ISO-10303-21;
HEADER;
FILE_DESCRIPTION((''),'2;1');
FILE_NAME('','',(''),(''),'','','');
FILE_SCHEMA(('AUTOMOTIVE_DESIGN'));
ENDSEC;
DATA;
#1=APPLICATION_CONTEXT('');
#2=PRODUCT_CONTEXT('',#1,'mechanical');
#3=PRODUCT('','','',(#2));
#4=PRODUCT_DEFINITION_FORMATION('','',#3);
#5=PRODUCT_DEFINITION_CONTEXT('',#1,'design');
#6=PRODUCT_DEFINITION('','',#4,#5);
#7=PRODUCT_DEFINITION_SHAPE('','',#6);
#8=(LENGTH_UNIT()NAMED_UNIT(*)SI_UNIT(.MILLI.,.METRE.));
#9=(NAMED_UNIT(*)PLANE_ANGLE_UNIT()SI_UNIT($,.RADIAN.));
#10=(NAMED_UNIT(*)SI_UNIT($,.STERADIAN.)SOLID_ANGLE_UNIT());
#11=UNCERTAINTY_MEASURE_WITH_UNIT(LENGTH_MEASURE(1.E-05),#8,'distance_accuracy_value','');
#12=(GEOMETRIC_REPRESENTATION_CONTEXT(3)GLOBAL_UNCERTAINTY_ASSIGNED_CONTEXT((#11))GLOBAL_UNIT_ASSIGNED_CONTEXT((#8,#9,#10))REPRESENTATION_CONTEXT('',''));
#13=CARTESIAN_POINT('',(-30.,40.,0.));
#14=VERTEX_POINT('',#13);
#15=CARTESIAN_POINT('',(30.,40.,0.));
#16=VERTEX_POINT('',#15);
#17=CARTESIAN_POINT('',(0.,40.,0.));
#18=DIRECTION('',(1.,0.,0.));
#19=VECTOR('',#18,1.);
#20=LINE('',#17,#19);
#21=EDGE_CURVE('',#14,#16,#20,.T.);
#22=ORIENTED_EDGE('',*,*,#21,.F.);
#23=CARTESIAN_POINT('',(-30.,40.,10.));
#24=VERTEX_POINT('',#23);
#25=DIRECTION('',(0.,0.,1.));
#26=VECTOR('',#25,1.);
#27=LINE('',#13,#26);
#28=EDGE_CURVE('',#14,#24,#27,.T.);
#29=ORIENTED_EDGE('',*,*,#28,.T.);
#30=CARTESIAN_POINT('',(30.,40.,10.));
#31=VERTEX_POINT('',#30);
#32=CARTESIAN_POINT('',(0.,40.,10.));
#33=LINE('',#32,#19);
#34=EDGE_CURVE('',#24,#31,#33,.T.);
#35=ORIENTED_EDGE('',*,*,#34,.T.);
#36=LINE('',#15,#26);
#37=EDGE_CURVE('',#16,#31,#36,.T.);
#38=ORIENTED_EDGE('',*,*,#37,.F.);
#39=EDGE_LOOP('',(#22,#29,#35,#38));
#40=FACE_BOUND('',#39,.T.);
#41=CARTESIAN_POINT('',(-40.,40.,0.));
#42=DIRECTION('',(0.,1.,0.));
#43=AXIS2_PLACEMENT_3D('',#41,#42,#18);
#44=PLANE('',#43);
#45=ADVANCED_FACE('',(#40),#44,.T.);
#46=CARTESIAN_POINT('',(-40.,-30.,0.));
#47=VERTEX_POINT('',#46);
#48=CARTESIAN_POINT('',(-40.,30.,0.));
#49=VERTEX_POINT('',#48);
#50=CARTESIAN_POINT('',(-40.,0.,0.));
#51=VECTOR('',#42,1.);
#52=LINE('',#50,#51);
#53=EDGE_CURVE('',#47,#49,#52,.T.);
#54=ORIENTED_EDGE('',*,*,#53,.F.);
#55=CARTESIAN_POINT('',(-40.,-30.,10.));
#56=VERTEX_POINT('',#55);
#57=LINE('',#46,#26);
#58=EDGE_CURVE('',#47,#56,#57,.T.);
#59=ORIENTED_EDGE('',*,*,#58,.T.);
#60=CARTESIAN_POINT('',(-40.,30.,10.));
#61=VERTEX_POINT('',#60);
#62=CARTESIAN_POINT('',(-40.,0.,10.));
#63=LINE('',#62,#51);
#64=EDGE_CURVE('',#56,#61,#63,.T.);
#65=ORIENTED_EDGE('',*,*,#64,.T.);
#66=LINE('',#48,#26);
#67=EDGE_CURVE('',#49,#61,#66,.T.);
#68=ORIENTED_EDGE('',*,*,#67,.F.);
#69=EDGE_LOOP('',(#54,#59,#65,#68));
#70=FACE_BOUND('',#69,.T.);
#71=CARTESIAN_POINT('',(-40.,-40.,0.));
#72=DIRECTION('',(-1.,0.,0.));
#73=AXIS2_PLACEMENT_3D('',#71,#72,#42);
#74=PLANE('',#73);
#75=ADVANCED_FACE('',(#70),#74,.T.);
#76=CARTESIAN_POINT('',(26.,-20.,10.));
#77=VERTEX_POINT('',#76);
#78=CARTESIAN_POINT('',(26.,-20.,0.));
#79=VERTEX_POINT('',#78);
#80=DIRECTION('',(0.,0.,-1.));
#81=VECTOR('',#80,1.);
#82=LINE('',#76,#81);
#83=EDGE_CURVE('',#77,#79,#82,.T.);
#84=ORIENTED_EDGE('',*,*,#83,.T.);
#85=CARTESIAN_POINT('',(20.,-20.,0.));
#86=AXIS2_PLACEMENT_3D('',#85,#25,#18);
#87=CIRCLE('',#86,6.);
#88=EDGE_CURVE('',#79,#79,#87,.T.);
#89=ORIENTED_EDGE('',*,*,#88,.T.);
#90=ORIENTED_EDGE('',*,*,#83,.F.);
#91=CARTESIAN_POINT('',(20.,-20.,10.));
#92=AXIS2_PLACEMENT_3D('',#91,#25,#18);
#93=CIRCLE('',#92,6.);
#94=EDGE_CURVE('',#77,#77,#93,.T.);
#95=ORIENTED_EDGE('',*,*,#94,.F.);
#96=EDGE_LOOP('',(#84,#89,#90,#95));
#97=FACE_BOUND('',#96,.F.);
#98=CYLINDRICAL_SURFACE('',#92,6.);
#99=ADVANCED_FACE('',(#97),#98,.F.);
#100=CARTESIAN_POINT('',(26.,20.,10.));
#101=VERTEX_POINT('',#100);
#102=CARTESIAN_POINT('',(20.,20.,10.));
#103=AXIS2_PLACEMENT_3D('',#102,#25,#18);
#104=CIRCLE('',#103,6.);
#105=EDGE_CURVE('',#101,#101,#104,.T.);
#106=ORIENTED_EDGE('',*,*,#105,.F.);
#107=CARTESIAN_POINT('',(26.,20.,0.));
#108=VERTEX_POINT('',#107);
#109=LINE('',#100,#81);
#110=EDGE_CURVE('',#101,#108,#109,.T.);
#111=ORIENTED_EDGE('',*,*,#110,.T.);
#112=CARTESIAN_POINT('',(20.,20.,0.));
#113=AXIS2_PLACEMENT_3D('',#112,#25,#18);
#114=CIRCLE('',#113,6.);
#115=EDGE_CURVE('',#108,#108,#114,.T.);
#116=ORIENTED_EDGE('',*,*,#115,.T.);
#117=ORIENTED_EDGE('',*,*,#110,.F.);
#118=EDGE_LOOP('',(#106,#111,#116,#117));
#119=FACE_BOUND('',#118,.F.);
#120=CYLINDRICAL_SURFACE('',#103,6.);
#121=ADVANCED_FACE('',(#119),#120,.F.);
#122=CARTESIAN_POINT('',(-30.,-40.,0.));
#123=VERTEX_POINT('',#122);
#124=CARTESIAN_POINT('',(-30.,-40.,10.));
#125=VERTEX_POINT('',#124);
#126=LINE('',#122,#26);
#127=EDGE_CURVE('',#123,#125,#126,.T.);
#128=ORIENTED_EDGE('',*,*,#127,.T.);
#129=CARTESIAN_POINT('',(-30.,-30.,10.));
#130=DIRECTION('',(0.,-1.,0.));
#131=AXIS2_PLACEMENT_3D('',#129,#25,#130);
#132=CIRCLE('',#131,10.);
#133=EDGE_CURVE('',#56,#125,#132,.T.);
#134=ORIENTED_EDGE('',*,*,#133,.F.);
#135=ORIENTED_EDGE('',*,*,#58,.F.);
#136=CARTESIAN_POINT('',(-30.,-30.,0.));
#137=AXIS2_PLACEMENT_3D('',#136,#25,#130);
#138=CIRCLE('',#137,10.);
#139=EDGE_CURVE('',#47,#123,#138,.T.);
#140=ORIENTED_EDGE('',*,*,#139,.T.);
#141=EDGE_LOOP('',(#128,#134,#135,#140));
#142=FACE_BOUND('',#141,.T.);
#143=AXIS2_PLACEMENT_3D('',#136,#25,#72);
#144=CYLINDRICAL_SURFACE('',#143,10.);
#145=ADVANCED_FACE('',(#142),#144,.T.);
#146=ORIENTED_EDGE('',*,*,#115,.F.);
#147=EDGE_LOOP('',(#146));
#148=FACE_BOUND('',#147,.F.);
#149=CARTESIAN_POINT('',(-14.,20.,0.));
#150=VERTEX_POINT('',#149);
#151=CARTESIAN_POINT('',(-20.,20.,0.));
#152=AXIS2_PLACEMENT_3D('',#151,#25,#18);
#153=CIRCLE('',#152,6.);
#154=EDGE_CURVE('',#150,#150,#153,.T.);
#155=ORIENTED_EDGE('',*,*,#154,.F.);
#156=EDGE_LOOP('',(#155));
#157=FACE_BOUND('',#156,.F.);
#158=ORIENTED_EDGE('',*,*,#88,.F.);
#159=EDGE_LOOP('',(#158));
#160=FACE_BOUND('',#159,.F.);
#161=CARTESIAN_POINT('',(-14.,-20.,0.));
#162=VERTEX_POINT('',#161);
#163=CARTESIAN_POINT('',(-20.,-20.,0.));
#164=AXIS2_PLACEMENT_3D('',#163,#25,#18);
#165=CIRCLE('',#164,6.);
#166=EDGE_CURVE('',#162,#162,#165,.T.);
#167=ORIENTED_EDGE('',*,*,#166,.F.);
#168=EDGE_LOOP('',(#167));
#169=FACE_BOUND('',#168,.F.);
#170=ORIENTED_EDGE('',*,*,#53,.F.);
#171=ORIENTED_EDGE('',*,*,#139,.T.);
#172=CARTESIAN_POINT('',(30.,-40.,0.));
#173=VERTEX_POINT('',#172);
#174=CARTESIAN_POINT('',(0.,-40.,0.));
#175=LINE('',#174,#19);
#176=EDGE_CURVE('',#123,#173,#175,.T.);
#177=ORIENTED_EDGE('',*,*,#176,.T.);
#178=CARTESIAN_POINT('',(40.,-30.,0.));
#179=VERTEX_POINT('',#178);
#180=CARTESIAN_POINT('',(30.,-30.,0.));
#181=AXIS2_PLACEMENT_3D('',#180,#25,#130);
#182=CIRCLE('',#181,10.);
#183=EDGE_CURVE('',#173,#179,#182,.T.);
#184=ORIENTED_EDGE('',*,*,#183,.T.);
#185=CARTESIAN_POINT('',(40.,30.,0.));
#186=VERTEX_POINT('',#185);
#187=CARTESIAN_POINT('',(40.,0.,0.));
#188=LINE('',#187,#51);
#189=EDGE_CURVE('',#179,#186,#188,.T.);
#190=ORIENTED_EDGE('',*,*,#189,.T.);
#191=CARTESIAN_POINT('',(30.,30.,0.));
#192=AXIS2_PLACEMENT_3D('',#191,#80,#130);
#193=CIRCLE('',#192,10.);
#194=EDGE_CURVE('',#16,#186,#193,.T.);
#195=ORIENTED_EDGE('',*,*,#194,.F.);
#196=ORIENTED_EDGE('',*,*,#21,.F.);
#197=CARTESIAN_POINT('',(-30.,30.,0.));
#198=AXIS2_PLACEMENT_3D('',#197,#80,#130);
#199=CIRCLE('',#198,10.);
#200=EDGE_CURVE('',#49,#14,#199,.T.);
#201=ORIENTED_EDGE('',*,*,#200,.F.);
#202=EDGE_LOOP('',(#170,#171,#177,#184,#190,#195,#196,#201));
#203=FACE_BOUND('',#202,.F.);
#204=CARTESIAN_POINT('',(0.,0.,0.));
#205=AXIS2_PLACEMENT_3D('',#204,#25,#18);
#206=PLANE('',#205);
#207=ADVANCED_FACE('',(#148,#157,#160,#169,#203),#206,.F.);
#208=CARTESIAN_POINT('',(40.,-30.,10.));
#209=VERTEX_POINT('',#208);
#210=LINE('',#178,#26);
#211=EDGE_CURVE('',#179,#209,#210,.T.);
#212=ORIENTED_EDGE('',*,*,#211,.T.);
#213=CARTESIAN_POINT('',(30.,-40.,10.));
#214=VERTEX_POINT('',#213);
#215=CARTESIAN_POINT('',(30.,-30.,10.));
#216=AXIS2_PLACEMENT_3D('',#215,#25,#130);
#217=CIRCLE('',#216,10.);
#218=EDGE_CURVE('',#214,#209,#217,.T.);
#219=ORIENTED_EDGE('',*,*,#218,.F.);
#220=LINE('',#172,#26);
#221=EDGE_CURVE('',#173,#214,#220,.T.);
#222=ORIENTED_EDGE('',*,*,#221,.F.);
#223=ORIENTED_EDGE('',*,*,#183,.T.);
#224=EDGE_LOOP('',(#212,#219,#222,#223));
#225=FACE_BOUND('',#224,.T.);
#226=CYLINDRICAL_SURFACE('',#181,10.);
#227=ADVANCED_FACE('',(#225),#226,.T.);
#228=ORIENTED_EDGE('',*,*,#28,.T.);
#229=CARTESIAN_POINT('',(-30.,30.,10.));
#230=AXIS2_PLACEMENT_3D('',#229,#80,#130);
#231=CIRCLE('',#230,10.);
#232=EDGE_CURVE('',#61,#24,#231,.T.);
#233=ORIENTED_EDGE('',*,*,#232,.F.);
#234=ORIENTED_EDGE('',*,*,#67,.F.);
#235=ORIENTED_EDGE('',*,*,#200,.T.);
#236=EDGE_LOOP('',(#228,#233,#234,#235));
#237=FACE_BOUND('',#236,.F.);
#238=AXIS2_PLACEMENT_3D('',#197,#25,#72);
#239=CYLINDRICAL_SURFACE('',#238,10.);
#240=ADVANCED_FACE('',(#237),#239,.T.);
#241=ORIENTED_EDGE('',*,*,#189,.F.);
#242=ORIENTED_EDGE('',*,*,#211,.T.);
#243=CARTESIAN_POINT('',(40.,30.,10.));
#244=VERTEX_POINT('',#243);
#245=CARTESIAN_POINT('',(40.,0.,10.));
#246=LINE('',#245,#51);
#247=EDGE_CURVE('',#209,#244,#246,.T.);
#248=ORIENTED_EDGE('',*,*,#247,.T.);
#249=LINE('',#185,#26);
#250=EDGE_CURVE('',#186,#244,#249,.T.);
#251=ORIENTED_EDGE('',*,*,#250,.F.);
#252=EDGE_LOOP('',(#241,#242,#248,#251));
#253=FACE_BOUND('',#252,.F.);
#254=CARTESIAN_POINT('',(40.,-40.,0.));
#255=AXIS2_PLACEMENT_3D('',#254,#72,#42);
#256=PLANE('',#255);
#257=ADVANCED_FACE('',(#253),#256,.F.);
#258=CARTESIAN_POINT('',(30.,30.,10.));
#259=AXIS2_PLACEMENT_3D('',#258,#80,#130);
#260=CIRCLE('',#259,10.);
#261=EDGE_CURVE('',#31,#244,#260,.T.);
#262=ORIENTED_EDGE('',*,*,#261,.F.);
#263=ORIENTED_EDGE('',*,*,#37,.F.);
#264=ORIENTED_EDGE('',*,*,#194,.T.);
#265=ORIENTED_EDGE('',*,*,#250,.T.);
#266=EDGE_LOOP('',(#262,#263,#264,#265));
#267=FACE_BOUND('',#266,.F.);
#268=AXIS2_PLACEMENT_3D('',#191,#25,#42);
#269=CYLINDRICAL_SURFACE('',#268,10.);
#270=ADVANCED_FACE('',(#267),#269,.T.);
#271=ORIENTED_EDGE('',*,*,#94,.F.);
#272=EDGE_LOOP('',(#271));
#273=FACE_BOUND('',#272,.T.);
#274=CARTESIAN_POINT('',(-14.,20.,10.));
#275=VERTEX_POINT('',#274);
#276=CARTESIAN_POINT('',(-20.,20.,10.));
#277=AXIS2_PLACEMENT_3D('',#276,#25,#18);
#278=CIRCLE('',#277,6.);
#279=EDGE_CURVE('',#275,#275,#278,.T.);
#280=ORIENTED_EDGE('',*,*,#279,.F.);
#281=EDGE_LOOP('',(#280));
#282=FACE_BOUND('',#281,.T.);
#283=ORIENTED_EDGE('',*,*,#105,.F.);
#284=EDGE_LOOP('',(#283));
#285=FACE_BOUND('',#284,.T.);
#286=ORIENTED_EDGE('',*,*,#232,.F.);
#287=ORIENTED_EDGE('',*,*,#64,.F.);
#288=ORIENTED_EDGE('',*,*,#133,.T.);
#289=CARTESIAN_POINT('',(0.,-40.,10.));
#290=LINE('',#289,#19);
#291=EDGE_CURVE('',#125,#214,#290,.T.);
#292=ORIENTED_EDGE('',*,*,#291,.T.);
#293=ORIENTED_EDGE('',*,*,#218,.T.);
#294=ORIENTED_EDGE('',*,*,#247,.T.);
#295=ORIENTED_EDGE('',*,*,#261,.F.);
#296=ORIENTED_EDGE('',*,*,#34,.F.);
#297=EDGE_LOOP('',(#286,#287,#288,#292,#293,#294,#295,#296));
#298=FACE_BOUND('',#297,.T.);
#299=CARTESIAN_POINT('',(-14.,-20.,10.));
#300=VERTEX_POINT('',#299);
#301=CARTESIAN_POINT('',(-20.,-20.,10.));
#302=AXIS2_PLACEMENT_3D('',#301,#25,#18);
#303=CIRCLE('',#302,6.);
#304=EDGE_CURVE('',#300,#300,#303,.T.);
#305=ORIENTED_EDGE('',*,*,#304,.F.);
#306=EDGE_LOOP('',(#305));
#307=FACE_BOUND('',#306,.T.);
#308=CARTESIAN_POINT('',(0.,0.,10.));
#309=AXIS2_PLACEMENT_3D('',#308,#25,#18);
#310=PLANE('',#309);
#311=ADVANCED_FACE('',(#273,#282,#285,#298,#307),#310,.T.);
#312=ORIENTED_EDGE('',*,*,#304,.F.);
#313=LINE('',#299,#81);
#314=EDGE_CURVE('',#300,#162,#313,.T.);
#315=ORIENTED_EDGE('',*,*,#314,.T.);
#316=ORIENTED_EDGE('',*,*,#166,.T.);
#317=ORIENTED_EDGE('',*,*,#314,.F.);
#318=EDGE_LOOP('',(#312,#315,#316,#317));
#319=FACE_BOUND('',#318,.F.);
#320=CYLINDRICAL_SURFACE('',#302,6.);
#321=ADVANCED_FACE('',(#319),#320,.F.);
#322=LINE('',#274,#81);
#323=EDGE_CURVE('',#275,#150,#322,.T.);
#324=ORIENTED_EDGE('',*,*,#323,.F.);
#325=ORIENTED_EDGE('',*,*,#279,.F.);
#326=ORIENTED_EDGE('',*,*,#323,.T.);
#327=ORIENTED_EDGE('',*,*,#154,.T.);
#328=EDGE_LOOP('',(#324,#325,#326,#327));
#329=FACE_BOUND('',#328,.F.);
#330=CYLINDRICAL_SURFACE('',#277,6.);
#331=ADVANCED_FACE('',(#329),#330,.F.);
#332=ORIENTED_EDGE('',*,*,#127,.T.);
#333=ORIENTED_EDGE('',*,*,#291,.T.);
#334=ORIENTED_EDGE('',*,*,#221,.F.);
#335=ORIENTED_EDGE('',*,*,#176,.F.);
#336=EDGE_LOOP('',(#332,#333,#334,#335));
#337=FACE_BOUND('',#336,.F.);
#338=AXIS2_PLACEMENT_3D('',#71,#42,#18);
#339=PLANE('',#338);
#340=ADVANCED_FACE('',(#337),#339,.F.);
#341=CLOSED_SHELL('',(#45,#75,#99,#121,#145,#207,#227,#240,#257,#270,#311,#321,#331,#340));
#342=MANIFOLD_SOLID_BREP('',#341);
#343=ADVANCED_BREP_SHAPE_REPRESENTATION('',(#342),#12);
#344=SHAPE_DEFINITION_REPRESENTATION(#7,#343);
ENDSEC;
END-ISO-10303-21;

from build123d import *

# Parameters (mm, degrees)
SKETCH_W     = 80
SKETCH_H     = 80
PAD_DEPTH    = 10
SKETCH001_R  = 6
POCKET_DEPTH = 10.001
FILLET_R     = 10


with BuildPart() as part:
    # Sketch → Pad (new body)
    with BuildSketch(Plane.XY):
        Rectangle(SKETCH_W, SKETCH_H)
    extrude(amount=PAD_DEPTH)

    # Sketch001 (on Face6 of Pad) → Pocket (cut, through all)
    with BuildSketch(Plane.XY.offset(10)):
        with Locations((-20, 20)):
            Circle(SKETCH001_R)
        with Locations((20, 20)):
            Circle(SKETCH001_R)
        with Locations((20, -20)):
            Circle(SKETCH001_R)
        with Locations((-20, -20)):
            Circle(SKETCH001_R)
    extrude(amount=-POCKET_DEPTH, mode=Mode.SUBTRACT)

    # Fillet
    fillet_edges = [part.edges().sort_by_distance(p)[0] for p in [
        (-40, -40, 5),
        (40, -40, 5),
        (40, 40, 5),
        (-40, 40, 5),
    ]]
    fillet(fillet_edges, radius=FILLET_R)


solid = part.part
